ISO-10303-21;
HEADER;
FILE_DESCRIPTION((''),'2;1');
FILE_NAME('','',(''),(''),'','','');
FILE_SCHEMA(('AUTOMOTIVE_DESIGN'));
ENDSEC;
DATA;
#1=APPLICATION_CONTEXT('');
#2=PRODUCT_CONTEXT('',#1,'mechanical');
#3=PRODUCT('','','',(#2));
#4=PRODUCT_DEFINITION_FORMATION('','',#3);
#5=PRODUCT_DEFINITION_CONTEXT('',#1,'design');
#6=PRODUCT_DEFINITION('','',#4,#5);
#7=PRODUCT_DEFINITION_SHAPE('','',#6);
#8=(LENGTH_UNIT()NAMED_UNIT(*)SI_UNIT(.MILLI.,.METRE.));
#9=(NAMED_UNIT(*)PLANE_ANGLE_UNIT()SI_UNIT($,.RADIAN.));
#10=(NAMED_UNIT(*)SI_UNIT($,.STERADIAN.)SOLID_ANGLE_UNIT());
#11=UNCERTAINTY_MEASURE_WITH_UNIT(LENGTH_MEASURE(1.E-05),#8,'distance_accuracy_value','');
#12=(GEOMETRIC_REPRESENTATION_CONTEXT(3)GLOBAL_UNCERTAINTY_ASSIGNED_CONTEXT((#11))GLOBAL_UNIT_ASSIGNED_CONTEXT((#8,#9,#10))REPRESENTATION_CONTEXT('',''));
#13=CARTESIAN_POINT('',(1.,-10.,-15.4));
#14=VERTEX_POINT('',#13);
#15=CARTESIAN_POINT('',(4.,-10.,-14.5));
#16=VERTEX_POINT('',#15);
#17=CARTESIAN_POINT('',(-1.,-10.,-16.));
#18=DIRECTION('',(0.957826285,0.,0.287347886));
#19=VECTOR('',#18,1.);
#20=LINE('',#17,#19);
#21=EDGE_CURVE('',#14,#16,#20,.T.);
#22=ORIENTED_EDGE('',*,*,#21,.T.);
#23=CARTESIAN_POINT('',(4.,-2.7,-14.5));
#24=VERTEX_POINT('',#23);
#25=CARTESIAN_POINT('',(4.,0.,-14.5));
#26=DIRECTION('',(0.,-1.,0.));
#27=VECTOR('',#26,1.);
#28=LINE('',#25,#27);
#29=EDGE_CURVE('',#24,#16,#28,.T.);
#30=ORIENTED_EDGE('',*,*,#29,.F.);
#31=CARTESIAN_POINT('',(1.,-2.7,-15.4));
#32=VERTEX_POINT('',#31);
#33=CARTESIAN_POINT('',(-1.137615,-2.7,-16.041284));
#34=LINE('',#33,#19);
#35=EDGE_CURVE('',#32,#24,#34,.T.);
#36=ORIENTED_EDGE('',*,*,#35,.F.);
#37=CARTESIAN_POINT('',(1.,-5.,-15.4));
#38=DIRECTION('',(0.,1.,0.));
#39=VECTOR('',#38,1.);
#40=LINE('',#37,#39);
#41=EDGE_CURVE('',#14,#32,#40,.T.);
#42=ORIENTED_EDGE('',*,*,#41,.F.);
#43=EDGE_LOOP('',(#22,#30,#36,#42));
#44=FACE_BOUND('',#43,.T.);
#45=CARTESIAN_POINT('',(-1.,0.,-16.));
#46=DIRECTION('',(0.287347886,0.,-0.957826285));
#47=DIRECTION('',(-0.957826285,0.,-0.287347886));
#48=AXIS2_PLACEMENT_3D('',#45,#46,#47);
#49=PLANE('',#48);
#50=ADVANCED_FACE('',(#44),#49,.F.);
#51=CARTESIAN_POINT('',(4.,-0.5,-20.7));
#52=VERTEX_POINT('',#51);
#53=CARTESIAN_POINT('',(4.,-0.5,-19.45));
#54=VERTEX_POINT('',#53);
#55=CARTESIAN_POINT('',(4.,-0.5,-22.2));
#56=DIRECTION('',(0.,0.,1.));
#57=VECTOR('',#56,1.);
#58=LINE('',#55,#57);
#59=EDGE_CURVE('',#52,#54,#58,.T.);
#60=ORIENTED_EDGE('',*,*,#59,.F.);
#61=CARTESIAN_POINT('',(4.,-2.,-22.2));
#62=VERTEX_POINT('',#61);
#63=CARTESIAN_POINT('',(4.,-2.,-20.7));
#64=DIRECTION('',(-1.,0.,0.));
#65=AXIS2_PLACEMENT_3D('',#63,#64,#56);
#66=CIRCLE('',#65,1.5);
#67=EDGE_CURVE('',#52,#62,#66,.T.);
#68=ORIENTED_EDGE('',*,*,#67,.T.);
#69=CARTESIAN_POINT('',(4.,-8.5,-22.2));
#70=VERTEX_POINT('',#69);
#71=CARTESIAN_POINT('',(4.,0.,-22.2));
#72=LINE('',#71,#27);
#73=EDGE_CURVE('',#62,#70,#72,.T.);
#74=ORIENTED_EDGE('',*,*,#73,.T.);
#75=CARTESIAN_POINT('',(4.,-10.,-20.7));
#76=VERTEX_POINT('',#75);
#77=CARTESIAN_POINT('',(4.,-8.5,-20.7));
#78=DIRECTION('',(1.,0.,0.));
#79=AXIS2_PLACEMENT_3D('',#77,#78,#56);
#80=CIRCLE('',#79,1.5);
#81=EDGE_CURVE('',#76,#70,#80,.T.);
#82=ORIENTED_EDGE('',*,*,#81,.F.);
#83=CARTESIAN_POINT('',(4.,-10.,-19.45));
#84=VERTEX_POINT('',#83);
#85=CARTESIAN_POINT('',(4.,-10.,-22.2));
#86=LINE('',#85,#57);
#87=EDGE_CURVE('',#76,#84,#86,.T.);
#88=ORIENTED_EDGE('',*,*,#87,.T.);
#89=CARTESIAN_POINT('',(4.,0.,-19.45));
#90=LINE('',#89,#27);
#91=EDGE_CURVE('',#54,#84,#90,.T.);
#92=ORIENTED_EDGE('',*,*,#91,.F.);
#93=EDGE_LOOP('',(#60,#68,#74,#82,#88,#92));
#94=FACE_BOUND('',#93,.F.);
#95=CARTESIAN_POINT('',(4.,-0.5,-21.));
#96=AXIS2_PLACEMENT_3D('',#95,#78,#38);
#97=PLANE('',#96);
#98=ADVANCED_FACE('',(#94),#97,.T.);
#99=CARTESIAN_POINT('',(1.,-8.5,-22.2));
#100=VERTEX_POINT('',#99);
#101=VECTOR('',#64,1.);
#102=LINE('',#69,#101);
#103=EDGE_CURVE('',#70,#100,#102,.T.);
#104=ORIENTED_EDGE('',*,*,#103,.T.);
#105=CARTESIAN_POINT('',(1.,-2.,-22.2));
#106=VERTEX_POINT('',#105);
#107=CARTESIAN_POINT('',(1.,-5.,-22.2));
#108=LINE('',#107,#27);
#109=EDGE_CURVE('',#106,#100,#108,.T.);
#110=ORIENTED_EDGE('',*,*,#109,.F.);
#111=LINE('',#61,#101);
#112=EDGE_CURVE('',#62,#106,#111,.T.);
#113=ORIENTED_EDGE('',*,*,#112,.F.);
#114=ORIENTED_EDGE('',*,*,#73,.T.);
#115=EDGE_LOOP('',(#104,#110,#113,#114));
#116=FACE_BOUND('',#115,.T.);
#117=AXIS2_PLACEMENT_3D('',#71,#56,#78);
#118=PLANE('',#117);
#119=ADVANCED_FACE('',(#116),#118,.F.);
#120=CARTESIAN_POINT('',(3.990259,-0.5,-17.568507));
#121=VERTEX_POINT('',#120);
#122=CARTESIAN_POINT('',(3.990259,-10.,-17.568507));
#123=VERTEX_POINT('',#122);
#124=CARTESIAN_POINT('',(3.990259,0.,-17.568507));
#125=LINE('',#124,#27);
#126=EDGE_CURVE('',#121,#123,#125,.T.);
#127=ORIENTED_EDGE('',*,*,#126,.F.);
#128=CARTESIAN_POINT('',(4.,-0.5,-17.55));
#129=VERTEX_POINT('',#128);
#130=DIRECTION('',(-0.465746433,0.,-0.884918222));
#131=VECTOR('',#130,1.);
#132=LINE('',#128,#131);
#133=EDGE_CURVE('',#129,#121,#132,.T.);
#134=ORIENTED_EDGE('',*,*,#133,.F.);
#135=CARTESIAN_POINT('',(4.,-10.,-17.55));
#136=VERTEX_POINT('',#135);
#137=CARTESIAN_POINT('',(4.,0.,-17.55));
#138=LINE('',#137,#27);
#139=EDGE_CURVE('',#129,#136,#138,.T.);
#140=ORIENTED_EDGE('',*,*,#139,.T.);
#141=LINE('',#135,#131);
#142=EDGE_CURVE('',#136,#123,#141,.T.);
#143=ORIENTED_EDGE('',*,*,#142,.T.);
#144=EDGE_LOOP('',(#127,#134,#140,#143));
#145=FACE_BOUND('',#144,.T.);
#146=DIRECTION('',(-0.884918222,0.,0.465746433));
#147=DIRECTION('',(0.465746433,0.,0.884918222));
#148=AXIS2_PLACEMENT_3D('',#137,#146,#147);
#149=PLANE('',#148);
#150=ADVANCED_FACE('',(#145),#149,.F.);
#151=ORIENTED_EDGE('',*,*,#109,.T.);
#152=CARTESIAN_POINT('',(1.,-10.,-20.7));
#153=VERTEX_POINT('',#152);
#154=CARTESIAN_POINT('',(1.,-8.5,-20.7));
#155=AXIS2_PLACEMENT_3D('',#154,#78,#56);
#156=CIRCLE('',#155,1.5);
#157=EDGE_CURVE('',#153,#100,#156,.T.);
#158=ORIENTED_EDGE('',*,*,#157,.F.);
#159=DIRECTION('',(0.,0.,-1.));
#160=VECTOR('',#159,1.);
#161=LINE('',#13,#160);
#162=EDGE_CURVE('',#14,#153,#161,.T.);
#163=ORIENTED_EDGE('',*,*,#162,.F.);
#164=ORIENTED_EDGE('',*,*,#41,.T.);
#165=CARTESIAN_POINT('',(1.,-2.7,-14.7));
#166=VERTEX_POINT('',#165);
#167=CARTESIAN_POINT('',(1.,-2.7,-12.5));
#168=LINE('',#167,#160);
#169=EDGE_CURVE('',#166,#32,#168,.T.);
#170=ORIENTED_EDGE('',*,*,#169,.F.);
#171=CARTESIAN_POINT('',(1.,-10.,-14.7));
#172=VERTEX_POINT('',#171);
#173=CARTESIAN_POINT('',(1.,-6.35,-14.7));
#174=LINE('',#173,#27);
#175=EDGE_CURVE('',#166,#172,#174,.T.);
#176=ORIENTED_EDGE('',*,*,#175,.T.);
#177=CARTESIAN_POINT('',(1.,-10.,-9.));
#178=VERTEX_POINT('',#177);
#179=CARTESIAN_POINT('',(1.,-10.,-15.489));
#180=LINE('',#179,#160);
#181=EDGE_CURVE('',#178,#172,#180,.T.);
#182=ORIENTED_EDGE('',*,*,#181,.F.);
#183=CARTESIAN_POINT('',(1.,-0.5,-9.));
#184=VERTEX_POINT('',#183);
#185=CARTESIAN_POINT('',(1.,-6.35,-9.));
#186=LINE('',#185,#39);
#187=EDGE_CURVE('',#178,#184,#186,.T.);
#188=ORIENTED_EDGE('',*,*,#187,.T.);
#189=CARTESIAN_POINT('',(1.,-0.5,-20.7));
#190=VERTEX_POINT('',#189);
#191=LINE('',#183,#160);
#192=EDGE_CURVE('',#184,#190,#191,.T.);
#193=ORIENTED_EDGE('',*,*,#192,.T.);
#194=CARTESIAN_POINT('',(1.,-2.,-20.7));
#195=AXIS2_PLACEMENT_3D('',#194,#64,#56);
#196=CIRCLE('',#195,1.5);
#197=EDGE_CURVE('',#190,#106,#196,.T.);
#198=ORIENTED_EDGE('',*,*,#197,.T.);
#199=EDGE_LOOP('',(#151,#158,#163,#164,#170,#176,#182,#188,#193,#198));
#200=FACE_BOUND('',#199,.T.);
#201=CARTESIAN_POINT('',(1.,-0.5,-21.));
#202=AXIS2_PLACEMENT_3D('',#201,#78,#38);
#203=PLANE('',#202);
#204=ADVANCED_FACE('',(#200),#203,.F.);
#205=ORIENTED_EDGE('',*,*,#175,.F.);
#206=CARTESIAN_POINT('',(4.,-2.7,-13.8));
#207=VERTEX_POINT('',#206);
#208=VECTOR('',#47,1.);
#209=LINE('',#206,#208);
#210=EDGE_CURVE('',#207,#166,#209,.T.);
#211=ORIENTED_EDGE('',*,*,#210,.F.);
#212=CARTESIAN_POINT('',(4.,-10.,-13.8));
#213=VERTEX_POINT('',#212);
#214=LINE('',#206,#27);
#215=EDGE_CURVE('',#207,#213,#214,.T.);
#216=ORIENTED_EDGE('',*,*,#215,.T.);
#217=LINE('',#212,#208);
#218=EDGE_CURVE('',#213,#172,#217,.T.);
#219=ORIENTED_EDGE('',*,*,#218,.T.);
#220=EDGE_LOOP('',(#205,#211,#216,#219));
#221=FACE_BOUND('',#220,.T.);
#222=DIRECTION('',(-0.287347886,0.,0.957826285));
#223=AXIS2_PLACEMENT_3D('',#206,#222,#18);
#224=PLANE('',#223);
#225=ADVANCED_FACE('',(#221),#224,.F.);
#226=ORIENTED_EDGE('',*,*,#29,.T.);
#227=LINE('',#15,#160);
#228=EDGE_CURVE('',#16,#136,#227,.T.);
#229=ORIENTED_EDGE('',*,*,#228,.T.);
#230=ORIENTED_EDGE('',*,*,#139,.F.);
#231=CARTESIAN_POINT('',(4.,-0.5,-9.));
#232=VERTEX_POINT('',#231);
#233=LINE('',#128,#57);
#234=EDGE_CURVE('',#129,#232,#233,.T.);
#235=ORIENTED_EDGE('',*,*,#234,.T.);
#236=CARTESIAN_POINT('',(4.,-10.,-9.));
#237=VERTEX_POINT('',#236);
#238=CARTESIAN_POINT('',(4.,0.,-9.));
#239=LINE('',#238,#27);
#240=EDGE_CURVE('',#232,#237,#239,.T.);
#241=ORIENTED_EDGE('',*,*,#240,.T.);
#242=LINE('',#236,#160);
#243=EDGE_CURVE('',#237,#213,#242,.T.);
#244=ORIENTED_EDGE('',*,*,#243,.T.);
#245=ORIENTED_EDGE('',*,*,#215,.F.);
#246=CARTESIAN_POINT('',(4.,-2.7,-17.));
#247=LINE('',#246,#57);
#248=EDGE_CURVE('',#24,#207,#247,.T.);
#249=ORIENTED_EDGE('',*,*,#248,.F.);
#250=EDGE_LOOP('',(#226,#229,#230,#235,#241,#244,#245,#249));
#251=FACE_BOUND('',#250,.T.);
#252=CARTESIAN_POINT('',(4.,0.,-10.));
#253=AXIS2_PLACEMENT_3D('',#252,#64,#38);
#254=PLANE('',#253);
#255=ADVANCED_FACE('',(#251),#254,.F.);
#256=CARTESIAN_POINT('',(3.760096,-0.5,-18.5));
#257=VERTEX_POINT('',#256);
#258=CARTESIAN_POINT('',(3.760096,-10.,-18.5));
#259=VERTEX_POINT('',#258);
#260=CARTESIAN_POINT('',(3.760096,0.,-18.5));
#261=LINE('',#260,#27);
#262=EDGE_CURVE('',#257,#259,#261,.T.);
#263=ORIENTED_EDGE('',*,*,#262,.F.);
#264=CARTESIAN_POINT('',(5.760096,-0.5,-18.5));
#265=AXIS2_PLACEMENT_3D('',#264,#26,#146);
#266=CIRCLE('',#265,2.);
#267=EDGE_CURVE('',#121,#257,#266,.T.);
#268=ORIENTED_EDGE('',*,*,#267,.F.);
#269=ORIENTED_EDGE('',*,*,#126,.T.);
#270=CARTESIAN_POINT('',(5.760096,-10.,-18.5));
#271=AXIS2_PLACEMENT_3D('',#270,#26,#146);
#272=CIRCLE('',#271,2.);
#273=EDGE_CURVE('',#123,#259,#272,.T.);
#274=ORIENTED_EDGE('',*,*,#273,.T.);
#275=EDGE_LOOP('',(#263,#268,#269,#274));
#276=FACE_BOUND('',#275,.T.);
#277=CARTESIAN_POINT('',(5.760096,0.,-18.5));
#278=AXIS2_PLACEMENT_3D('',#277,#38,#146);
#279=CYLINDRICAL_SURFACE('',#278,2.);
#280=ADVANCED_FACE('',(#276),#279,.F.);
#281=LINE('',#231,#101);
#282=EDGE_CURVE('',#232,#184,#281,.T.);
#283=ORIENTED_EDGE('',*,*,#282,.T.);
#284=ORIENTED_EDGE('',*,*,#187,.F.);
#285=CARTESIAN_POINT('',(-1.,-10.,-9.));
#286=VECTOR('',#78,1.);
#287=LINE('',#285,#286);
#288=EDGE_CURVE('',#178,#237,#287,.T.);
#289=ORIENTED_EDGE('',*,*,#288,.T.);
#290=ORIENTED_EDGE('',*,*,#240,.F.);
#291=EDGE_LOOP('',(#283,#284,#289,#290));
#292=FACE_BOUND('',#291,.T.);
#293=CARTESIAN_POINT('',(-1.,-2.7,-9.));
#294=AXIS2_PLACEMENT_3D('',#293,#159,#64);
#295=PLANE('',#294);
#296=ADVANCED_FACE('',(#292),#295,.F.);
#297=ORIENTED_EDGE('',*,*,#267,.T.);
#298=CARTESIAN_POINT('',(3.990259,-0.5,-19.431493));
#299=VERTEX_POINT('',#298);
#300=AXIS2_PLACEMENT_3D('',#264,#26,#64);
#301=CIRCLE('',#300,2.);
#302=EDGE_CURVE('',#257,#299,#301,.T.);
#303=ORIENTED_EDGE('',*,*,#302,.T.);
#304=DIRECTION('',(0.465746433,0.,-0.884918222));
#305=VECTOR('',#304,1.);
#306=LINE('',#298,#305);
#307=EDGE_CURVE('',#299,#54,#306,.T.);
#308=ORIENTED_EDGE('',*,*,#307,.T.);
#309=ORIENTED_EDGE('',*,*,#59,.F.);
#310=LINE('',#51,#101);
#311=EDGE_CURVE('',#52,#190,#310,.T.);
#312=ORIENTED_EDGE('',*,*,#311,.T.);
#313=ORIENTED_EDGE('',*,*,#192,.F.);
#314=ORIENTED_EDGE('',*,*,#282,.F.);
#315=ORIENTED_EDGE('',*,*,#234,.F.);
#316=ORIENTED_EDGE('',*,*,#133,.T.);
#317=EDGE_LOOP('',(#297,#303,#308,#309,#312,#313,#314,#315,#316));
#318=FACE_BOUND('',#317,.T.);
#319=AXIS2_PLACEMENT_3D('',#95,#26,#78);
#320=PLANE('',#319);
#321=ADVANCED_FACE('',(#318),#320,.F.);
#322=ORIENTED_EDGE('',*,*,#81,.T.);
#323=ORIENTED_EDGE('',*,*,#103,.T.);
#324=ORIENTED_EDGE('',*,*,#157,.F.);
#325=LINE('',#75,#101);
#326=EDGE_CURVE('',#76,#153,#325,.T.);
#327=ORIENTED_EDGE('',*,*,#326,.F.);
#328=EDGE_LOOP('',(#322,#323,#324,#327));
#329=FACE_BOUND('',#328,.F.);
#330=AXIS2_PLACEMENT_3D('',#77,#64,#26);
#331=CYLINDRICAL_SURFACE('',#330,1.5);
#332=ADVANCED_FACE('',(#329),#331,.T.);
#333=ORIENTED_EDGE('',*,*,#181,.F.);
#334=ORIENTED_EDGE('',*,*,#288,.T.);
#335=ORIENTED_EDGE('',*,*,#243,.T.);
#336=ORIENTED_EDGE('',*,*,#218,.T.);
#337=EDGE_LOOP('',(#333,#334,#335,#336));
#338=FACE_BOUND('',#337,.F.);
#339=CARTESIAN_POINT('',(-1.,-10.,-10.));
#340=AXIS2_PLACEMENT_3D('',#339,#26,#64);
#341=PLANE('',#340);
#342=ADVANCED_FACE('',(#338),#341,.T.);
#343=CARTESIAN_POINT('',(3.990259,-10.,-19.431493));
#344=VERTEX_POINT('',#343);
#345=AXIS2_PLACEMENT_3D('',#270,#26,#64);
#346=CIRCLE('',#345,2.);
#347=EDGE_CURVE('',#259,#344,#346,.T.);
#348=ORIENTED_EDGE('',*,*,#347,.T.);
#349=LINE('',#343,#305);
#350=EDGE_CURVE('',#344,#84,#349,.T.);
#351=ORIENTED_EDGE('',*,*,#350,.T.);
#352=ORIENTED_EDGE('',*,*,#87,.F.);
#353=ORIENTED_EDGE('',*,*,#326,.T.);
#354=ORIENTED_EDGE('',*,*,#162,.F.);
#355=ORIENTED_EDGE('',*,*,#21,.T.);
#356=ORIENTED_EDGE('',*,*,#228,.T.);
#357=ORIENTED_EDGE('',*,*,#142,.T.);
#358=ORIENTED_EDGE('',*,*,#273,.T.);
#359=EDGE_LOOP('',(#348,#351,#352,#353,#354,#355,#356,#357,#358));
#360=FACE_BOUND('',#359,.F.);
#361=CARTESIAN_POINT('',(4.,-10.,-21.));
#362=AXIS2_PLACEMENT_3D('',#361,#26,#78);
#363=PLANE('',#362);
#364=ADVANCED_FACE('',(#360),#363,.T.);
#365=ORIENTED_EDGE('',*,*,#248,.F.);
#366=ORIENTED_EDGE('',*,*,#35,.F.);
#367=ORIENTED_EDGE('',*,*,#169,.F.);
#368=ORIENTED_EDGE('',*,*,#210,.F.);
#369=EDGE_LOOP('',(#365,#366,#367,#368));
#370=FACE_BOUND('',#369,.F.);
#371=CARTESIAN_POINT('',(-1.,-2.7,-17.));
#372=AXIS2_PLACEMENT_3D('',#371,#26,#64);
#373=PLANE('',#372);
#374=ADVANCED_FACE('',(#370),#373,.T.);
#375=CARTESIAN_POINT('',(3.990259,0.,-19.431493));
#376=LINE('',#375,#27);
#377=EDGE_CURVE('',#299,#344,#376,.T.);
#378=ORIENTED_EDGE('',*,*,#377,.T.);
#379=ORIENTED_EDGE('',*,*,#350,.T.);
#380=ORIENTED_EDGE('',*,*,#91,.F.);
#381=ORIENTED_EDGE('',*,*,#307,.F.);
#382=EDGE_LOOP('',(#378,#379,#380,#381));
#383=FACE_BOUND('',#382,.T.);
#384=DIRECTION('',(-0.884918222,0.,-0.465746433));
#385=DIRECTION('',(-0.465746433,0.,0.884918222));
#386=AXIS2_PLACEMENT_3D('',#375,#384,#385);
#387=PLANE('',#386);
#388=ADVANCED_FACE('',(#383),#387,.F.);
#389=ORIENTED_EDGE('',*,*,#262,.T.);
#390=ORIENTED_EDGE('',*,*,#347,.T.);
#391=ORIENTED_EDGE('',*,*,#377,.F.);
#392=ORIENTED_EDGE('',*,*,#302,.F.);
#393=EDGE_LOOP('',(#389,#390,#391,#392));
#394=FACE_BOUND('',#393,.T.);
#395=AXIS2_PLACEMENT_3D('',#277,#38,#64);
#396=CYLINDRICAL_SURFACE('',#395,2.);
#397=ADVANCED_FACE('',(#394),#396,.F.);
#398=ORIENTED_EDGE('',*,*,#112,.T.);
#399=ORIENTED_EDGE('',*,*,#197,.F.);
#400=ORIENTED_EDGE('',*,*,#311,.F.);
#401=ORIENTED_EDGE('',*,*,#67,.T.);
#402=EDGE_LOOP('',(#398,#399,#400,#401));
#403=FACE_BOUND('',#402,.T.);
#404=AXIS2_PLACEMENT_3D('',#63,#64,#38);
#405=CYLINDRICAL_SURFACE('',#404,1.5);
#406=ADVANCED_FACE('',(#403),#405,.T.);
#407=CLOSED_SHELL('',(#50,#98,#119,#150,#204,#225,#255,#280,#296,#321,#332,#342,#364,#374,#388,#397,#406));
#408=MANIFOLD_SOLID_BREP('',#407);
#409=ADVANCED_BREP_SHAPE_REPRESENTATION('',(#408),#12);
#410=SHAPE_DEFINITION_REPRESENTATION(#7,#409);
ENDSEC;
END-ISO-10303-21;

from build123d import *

# Parameters (mm, degrees)
F0_W      = 1
F0_H      = 2.5
F0_H_2    = 1.5
F1_DEPTH  = 10
F3_W      = 4
F3_H      = 2.7
F3_W_2    = 1
F4_DEPTH  = 7
F6_DEPTH  = 7.3
F7_DEPTH  = 1
F8_DEPTH  = 0.5
F9_DEPTH  = 0.5
F10_DEPTH = 0.5
F11_W     = 2
F11_H     = 14.978
F12_DEPTH = 25
F13_DEPTH = 1.2
F14_R     = 1.5


with BuildPart() as f1:
    # F0 (on Front) → F1 (new body)
    with BuildSketch(Plane.XZ):
        with BuildLine():
            Line((0, 2.5), (0, 0))
            Line((0, 0), (4, 0))
            Line((4, 0), (4, 1.55))
            Line((4, 1.55), (3.990259403, 1.5685071343))
            ThreePointArc((3.990259403, 1.5685071343), (3.8184891819, 2.0202463599), (3.7600958477, 2.5))
            ThreePointArc((3.7600958477, 2.5), (3.8184891819, 2.9797536401), (3.990259403, 3.4314928657))
            Line((3.990259403, 3.4314928657), (4, 3.45))
            Line((4, 3.45), (4, 4))
            Line((4, 4), (0, 4))
            Line((0, 4), (0, 2.5))
        make_face()
        with Locations((-0.5, 1.25)):
            Rectangle(F0_W, F0_H)
        Polygon((4, 0), (0, 0), (-1, 0), (4, -1.5), align=None)
        with Locations((-0.5, 3.25)):
            Rectangle(F0_W, F0_H_2)
    extrude(amount=F1_DEPTH)

    # F3 (on offset) → F4 (join)
    with BuildSketch(Plane.XY.offset(1)):
        with Locations((2, -1.35)):
            Rectangle(F3_W, F3_H)
        with Locations((-0.5, -1.35)):
            Rectangle(F3_W_2, F3_H)
    extrude(amount=-F4_DEPTH)

    # F5 (on face) → F6 (join, through all)
    with BuildSketch(Plane.XZ.offset(2.7)):
        Polygon((-1, -6), (4, -6), (4, -2.2), (-1, -0.7), align=None)
    extrude(amount=F6_DEPTH)

    # F7 (add): a face of the model
    f7_faces = [f1.faces().sort_by_distance(p)[0] for p in [
        (1.5, -5, -6),
    ]]
    extrude(f7_faces, amount=F7_DEPTH)

    # F8 (add): a face of the model
    f8_faces = [f1.faces().sort_by_distance(p)[0] for p in [
        (1.5, -5, 4),
    ]]
    extrude(f8_faces, amount=F8_DEPTH)

    # F9 (cut): a face of the model
    f9_faces = [f1.faces().sort_by_distance(p)[0] for p in [
        (1.4870709663, 0, -1.2701719647),
    ]]
    extrude(f9_faces, amount=-F9_DEPTH, mode=Mode.SUBTRACT)

    # F10 (add): a face of the model
    f10_faces = [f1.faces().sort_by_distance(p)[0] for p in [
        (1.5, -5.25, 4.5),
    ]]
    extrude(f10_faces, amount=F10_DEPTH)

    # F11 (on face) → F12 (cut)
    with BuildSketch(Plane.XZ.offset(10)):
        with Locations((0, -0.511)):
            Rectangle(F11_W, F11_H)
    extrude(amount=-F12_DEPTH, mode=Mode.SUBTRACT)

    # F13 (add): a face of the model
    f13_faces = [f1.faces().sort_by_distance(p)[0] for p in [
        (2.5, -5.25, 5),
    ]]
    extrude(f13_faces, amount=F13_DEPTH)

    # F14
    f14_edges = [f1.edges().sort_by_distance(p)[0] for p in [
        (2.5, -10, 6.2),
        (2.5, -0.5, 6.2),
    ]]
    fillet(f14_edges, radius=F14_R)


with BuildPart() as f16_1:
    # F16: instance of F1
    add(f1.part.mirror(Plane(origin=(2.5, -5.25, -8), x_dir=(1, 0, 0), z_dir=(0, 0, -1))))


solid = f16_1.part
